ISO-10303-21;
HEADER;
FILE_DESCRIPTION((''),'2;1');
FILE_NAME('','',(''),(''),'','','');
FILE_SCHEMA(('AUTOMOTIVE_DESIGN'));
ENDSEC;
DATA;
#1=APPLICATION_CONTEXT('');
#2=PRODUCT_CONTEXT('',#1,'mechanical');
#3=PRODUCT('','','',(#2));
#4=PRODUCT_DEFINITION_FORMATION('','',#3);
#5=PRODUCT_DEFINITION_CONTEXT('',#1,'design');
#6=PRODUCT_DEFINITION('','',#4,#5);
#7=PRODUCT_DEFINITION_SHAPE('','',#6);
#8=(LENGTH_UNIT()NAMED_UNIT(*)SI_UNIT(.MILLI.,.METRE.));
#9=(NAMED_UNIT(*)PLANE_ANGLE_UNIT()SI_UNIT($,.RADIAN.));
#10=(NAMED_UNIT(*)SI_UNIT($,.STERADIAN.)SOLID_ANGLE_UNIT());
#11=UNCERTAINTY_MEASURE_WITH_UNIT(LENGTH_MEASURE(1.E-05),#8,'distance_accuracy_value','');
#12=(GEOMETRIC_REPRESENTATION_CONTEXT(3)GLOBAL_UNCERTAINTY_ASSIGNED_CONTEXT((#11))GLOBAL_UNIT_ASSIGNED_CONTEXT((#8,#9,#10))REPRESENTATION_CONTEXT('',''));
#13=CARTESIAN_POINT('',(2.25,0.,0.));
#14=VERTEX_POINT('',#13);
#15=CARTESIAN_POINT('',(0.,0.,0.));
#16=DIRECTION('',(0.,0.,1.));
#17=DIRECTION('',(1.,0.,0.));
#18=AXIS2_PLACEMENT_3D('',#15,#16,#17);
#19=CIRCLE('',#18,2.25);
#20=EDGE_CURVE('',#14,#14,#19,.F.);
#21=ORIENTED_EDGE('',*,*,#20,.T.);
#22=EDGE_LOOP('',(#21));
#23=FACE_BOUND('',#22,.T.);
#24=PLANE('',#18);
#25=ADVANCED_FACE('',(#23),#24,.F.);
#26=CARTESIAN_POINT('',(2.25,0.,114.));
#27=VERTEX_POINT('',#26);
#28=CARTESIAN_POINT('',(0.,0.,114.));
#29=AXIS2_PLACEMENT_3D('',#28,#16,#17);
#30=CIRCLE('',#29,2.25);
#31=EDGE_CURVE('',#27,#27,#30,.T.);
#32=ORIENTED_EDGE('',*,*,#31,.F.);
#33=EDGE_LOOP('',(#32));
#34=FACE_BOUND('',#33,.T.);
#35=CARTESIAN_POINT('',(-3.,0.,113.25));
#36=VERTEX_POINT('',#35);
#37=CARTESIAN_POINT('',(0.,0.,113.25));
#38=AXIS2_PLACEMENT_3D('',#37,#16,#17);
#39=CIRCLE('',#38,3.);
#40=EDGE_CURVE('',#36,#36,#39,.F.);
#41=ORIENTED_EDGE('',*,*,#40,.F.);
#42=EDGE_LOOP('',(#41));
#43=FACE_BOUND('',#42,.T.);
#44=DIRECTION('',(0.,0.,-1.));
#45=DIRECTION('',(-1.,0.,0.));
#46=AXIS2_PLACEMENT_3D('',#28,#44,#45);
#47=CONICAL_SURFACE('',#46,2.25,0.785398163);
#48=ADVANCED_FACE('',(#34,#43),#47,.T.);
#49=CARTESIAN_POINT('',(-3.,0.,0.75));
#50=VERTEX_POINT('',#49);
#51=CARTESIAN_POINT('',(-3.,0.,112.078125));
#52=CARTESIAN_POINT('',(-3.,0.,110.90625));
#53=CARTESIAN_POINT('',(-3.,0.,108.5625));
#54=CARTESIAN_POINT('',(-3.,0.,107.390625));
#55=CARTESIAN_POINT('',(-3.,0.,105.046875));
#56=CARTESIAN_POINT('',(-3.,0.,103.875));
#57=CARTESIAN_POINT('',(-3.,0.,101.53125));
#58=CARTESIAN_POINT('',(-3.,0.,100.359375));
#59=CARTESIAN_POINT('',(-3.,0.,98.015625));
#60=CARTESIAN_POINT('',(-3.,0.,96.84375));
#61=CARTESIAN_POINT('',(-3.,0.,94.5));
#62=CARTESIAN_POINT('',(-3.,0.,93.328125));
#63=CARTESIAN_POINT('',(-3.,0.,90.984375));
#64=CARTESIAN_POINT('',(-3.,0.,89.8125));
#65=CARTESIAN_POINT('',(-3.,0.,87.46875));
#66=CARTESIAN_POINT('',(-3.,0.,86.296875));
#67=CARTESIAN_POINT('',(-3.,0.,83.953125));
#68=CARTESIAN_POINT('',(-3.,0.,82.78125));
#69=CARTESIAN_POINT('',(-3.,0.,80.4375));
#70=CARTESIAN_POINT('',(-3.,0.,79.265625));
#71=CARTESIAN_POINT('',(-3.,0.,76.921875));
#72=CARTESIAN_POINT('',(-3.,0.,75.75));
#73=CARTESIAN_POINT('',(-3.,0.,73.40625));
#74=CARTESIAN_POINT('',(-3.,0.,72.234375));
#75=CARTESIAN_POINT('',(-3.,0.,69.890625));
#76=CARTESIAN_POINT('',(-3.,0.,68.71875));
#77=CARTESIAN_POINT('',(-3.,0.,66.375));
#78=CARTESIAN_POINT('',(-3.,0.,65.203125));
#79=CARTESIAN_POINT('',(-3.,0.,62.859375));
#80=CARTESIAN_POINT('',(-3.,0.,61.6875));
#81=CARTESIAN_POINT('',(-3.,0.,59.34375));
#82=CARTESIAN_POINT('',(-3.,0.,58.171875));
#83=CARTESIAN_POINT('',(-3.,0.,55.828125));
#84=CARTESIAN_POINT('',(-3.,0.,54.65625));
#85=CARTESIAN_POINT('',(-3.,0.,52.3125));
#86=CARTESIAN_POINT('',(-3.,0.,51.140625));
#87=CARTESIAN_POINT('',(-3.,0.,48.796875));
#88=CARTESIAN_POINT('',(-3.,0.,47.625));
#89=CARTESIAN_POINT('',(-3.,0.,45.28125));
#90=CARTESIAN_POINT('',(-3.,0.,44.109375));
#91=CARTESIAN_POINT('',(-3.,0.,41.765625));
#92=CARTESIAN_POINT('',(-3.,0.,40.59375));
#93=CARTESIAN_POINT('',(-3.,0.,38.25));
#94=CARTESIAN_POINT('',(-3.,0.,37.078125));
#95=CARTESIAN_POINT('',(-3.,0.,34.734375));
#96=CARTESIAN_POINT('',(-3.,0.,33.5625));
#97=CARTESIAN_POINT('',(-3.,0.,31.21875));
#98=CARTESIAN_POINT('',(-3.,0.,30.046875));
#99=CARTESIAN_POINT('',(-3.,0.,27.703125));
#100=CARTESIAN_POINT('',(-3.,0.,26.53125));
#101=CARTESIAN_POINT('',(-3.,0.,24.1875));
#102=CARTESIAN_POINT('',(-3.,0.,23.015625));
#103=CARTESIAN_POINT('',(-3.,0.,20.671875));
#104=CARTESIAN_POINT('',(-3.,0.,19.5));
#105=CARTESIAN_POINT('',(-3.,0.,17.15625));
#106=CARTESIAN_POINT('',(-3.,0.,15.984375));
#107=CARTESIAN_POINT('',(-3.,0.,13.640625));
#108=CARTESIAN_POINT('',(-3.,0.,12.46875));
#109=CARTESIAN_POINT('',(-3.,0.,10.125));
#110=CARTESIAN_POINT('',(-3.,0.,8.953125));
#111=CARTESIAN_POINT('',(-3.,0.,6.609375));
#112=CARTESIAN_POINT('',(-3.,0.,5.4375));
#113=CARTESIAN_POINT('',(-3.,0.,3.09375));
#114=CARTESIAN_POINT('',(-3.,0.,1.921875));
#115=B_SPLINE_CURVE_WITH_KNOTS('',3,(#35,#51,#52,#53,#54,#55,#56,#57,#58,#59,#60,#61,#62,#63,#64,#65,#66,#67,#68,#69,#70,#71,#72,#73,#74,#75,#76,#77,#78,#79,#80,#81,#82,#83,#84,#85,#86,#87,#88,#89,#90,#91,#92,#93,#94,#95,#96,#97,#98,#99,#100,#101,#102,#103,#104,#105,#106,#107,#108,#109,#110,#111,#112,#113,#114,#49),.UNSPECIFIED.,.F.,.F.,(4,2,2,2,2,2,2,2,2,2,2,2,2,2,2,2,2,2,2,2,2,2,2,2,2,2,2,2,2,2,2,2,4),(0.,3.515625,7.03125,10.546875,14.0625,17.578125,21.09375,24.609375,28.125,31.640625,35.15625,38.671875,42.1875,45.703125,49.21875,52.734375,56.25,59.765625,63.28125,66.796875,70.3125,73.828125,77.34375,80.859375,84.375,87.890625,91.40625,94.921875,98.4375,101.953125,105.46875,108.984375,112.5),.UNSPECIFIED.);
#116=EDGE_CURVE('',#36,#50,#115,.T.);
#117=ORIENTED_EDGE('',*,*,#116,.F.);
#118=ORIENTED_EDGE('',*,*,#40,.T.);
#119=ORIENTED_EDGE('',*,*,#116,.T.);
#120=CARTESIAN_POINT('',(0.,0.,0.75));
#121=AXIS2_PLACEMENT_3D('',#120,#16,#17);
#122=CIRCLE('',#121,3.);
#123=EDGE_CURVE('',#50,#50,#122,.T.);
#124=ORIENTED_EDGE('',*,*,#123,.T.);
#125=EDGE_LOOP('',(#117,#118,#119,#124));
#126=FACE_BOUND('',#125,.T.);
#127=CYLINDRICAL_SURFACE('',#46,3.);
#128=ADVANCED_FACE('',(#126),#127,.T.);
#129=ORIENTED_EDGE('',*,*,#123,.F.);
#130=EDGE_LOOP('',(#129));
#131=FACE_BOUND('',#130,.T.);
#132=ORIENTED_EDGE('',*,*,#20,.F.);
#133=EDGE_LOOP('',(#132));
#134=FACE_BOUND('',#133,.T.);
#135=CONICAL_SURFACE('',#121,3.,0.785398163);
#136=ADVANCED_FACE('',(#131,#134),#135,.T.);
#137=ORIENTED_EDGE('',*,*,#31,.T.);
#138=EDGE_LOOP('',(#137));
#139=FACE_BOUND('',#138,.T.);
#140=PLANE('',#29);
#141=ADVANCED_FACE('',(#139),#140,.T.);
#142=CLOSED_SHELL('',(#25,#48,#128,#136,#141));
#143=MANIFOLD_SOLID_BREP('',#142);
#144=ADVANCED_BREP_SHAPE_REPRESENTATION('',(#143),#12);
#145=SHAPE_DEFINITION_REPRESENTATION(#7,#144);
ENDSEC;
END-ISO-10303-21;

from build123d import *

# Parameters (mm, degrees)
SKETCH1_R           = 3
BOSS_EXTRUDE1_DEPTH = 114
CHAMFER1_SIZE       = 0.75
CHAMFER2_SIZE       = 0.75


with BuildPart() as part:
    # Sketch1 → Boss-Extrude1 (new body)
    with BuildSketch(Plane.XY):
        with Locations(Location((0, 0, 0), (0, 0, 180))):
            Circle(SKETCH1_R)
    extrude(amount=BOSS_EXTRUDE1_DEPTH)

    # Chamfer1
    chamfer1_edges = [part.edges().sort_by_distance(p)[0] for p in [
        (3, 0, 0),
    ]]
    chamfer(chamfer1_edges, length=CHAMFER1_SIZE)

    # Chamfer2
    chamfer2_edges = [part.edges().sort_by_distance(p)[0] for p in [
        (3, 0, 114),
    ]]
    chamfer(chamfer2_edges, length=CHAMFER2_SIZE)


solid = part.part
